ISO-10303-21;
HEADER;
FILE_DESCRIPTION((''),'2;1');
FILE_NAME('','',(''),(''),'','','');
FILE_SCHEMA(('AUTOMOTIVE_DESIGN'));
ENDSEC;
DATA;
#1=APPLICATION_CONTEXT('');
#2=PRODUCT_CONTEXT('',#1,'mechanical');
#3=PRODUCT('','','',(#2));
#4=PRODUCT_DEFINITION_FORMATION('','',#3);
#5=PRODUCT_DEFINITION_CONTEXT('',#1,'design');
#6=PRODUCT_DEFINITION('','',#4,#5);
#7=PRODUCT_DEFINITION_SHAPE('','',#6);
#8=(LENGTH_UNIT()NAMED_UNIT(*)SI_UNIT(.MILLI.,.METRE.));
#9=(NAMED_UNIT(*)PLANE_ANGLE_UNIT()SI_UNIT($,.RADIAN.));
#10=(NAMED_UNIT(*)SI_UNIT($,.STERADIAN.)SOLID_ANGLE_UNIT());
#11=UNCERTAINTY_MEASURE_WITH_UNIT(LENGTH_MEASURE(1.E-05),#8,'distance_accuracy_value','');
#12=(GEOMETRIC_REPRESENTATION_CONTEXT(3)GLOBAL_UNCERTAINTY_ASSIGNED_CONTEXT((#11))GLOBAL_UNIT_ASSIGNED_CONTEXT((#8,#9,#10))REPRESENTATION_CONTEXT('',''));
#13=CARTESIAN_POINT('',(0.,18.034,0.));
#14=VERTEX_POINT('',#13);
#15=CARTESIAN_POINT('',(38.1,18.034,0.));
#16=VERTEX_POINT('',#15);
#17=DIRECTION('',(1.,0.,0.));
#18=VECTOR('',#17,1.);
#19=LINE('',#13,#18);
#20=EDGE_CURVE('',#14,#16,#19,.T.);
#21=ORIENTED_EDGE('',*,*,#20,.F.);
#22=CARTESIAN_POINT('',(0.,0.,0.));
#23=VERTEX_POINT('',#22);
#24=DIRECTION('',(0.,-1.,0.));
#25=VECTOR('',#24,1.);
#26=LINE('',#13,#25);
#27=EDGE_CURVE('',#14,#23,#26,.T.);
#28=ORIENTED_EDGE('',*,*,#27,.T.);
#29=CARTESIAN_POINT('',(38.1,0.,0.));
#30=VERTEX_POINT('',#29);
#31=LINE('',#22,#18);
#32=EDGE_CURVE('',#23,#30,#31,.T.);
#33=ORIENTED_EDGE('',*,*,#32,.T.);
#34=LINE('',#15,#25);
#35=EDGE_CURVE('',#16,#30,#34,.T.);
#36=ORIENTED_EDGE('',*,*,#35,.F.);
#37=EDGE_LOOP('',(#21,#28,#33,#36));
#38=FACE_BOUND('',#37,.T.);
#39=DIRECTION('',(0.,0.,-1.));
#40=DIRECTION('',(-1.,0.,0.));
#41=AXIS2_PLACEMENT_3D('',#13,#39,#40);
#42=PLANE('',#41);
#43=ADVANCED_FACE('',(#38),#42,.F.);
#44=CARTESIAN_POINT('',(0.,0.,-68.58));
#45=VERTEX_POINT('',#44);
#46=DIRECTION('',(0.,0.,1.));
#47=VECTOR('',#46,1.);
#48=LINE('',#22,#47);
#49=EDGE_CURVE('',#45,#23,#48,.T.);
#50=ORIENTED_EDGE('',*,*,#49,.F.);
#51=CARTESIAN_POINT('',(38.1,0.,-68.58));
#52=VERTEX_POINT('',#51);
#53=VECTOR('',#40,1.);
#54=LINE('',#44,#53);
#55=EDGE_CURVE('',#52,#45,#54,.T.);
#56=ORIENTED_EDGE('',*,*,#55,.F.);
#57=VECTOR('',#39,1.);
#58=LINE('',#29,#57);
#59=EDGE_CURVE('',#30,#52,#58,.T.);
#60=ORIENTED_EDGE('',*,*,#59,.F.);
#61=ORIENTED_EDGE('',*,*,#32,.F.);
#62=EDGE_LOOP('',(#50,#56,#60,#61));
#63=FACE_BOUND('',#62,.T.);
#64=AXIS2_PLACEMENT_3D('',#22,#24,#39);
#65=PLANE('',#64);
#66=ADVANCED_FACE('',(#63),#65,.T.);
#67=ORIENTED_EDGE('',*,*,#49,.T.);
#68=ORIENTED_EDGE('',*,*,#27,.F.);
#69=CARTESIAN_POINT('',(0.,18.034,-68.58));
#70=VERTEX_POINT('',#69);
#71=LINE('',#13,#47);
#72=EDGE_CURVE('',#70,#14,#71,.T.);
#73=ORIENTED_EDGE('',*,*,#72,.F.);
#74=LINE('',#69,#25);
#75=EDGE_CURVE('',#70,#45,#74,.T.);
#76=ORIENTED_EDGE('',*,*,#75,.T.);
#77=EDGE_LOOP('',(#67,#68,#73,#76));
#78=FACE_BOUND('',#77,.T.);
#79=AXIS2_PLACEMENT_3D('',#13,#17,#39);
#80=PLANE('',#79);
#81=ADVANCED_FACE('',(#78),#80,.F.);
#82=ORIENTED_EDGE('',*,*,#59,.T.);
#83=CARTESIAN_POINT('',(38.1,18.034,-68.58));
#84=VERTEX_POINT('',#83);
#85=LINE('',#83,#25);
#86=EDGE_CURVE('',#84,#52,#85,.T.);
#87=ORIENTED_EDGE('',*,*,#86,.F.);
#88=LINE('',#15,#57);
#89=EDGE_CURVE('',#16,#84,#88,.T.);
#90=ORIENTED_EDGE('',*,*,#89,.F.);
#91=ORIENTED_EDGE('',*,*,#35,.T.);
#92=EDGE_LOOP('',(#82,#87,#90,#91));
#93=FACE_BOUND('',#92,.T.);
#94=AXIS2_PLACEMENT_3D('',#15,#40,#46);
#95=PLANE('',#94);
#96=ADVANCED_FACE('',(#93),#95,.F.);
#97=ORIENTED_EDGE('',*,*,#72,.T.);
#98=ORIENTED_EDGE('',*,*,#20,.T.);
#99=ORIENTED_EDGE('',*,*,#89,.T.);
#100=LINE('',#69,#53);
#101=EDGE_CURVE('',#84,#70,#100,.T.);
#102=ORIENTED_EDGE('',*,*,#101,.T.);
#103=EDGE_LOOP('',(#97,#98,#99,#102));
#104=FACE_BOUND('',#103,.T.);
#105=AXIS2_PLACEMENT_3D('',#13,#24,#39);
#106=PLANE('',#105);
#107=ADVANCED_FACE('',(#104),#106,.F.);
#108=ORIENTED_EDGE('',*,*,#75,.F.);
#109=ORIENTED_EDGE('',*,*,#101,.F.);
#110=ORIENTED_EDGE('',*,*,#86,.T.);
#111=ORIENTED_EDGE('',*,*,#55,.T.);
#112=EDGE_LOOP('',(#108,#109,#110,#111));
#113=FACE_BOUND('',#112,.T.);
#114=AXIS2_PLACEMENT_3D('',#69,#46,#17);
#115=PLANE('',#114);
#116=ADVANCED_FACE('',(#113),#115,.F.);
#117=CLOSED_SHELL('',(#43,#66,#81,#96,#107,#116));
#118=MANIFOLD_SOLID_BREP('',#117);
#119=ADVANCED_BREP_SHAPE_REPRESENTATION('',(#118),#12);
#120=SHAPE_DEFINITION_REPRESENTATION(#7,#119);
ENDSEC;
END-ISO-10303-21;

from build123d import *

# Parameters (mm, degrees)
SKETCH1_W           = 38.1
SKETCH1_H           = 68.58
BOSS_EXTRUDE1_DEPTH = 18.034


with BuildPart() as part:
    # Sketch1 → Boss-Extrude1 (new body)
    with BuildSketch(Plane(origin=(0, 0, 0), x_dir=(1, 0, 0), z_dir=(0, 1, 0))):
        with Locations((19.05, 34.29)):
            Rectangle(SKETCH1_W, SKETCH1_H)
    extrude(amount=BOSS_EXTRUDE1_DEPTH)


solid = part.part
